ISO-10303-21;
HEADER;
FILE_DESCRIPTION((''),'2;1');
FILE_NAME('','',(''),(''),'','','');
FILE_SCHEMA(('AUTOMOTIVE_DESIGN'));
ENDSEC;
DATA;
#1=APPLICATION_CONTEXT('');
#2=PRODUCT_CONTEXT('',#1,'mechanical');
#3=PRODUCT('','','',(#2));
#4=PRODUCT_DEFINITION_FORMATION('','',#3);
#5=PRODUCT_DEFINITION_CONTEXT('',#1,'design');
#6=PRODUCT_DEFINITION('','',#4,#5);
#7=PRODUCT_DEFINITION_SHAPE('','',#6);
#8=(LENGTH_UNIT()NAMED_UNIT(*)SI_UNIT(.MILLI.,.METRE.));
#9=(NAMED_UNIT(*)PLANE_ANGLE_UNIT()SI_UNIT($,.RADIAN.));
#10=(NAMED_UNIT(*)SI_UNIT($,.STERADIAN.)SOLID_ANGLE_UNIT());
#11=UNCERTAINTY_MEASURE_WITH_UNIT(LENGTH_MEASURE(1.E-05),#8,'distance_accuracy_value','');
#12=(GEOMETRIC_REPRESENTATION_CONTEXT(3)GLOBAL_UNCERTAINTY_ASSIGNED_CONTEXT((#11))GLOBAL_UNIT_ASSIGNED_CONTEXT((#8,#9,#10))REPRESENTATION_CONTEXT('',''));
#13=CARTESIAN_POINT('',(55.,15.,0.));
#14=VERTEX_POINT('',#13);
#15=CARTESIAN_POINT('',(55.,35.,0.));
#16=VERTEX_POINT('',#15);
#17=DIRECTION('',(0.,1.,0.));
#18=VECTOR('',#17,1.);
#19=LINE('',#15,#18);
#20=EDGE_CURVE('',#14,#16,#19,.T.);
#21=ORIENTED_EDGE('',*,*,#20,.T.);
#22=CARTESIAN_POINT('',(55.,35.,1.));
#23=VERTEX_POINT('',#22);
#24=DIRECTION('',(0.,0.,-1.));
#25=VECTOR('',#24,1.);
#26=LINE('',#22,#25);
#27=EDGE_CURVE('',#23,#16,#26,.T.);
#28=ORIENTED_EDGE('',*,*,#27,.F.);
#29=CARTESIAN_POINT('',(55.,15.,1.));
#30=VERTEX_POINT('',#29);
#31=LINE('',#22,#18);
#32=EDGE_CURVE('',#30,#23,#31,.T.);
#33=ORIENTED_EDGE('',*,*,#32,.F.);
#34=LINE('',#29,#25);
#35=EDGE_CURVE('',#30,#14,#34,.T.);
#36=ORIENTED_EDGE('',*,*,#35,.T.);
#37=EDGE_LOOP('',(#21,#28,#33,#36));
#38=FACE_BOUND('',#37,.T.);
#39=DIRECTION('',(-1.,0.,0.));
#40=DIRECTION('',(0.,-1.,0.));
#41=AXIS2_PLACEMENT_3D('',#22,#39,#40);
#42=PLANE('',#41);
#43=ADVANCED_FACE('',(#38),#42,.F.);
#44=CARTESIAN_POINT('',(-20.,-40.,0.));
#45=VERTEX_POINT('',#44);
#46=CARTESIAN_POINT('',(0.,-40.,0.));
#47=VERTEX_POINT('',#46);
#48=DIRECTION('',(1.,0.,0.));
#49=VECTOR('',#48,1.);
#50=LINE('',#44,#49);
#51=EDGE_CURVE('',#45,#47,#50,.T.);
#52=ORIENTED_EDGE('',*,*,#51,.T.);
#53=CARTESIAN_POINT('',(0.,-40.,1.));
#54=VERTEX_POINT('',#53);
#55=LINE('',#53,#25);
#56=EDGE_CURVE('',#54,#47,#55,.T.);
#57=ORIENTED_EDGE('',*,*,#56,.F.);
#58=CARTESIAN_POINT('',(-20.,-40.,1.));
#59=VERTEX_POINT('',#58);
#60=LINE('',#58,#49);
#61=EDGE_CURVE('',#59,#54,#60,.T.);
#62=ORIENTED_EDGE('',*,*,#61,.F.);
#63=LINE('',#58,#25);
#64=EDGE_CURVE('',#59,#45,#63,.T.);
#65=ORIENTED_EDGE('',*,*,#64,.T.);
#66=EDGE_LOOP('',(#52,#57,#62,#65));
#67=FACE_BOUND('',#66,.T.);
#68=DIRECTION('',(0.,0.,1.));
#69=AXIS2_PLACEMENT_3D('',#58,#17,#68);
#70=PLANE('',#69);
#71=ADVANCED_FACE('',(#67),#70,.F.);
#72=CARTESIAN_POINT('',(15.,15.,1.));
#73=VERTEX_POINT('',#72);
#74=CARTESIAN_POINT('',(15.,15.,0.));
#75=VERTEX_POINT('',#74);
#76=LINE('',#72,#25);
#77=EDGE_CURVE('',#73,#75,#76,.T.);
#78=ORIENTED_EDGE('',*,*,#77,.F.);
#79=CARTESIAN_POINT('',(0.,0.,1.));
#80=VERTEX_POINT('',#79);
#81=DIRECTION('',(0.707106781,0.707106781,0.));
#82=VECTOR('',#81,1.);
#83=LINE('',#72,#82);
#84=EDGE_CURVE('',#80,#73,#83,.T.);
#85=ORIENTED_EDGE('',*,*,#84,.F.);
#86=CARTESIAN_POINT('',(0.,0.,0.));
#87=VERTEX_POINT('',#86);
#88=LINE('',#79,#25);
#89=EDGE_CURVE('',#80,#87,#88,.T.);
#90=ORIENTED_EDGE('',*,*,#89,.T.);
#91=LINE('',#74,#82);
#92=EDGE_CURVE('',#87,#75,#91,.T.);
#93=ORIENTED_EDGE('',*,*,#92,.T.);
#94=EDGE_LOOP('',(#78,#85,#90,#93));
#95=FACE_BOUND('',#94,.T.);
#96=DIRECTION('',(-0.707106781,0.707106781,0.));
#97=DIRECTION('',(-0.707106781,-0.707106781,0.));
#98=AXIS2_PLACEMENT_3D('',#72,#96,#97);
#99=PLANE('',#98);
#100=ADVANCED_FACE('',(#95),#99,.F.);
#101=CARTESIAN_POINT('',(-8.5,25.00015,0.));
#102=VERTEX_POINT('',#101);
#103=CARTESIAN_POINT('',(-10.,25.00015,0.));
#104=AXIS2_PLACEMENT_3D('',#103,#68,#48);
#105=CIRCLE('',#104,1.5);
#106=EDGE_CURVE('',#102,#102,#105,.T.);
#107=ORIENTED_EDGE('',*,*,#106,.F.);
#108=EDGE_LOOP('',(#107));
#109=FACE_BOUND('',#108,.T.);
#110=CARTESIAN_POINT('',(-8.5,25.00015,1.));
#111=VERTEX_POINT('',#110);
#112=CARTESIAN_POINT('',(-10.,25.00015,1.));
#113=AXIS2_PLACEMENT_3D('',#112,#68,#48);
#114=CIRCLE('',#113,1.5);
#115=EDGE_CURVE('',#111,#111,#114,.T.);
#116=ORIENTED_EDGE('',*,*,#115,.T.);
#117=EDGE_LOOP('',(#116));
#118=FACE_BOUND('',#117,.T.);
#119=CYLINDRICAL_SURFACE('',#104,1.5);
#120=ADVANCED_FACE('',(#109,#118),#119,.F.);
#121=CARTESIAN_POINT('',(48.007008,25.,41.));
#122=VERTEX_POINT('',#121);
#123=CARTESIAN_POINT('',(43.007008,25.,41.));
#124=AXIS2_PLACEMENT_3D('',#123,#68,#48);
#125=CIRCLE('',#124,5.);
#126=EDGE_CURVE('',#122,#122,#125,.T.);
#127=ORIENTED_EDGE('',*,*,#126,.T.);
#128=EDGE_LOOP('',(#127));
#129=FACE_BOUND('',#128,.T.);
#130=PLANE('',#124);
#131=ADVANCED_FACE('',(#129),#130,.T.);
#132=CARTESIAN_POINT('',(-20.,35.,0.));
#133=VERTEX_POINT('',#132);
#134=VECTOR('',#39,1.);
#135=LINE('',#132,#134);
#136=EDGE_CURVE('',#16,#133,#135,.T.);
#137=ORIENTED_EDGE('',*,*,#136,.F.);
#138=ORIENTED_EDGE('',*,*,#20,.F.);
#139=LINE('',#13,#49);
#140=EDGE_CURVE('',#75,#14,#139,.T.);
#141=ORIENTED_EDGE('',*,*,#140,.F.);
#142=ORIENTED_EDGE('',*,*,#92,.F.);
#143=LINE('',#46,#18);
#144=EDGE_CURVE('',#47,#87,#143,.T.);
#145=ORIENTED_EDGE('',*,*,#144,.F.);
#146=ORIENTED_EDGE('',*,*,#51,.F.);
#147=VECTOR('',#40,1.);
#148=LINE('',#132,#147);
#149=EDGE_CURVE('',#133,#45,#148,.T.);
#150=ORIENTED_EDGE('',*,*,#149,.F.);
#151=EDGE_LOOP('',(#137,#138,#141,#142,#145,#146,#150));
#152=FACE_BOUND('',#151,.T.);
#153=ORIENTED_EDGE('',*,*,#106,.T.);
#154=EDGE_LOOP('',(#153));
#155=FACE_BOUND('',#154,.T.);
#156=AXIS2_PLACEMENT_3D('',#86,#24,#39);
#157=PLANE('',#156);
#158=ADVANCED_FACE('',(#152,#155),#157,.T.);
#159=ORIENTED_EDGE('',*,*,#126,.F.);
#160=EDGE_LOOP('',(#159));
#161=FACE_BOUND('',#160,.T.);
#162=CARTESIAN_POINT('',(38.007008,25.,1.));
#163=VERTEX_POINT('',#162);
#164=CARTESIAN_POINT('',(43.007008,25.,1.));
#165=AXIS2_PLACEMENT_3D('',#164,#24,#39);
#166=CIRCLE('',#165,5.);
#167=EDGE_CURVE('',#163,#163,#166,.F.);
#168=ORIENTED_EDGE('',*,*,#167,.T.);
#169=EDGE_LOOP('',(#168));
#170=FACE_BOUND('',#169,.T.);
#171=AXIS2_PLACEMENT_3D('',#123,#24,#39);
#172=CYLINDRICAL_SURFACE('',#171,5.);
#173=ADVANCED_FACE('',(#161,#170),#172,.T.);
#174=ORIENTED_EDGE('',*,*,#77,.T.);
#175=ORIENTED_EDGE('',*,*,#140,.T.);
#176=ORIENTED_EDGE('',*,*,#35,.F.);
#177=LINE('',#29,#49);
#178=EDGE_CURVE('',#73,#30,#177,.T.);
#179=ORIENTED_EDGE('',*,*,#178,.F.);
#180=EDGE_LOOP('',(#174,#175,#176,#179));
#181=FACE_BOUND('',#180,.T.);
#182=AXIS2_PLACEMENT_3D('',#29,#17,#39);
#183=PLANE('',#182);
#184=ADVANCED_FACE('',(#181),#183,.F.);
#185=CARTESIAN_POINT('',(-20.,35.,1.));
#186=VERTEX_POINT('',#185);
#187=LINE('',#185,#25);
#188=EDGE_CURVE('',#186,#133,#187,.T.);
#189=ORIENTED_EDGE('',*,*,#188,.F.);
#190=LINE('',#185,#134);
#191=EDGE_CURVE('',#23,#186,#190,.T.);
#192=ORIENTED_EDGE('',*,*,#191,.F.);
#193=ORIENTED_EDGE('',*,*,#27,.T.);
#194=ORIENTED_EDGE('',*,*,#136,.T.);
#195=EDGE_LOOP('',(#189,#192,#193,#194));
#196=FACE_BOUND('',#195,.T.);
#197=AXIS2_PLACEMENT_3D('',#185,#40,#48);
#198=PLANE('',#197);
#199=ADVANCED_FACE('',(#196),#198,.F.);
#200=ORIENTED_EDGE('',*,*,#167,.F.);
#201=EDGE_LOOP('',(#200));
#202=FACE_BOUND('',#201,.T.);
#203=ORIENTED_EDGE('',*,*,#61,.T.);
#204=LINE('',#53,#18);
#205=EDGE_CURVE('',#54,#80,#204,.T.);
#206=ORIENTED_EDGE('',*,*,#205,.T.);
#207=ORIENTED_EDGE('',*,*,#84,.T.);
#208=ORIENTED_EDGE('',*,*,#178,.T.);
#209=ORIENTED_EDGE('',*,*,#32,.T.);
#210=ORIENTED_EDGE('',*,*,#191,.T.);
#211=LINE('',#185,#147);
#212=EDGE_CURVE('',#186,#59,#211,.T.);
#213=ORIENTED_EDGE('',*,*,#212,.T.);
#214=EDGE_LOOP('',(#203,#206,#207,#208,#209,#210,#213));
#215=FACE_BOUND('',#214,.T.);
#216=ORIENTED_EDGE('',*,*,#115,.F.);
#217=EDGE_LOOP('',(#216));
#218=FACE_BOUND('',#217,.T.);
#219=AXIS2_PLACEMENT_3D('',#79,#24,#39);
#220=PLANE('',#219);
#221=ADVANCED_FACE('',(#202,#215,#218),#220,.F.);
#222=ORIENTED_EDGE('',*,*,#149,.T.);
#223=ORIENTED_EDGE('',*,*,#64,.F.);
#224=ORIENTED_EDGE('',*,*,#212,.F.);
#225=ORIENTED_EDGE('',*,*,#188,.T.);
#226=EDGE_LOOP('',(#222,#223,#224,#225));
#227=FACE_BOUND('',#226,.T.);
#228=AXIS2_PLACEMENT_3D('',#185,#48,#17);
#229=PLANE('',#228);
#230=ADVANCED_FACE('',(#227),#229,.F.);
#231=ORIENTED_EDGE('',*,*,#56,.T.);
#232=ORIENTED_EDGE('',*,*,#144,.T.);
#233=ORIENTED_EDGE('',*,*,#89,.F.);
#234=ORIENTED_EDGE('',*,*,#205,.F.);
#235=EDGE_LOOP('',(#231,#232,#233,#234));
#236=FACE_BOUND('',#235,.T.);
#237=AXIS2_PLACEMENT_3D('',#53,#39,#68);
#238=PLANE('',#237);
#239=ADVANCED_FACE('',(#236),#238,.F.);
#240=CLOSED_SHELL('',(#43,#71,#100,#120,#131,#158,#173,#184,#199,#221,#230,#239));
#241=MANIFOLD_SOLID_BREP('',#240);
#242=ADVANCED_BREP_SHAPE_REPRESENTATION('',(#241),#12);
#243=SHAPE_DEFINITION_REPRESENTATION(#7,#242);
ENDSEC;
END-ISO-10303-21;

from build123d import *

# Parameters (mm, degrees)
BOSS_EXTRUDE1_DEPTH = 1
SKETCH4_R           = 1.5
CUT_EXTRUDE5_DEPTH  = 1
SKETCH5_R           = 5
BOSS_EXTRUDE2_DEPTH = 40


with BuildPart() as part:
    # Sketch1 → Boss-Extrude1 (new body)
    with BuildSketch(Plane.XY):
        Polygon((-20, 35), (-20, -40), (0, -40), (0, 0), (15, 15), (55, 15), (55, 35), align=None)
    extrude(amount=BOSS_EXTRUDE1_DEPTH)

    # Sketch4 → Cut-Extrude5 (cut)
    with BuildSketch(Plane.XY.offset(1)):
        with Locations((-10, 25.000149563)):
            Circle(SKETCH4_R)
    extrude(amount=-CUT_EXTRUDE5_DEPTH, mode=Mode.SUBTRACT)

    # Sketch5 → Boss-Extrude2 (add)
    with BuildSketch(Plane.XY.offset(1)):
        with Locations(Location((43.007008147, 25, 0), (0, 0, 180))):
            Circle(SKETCH5_R)
    extrude(amount=BOSS_EXTRUDE2_DEPTH)


solid = part.part
